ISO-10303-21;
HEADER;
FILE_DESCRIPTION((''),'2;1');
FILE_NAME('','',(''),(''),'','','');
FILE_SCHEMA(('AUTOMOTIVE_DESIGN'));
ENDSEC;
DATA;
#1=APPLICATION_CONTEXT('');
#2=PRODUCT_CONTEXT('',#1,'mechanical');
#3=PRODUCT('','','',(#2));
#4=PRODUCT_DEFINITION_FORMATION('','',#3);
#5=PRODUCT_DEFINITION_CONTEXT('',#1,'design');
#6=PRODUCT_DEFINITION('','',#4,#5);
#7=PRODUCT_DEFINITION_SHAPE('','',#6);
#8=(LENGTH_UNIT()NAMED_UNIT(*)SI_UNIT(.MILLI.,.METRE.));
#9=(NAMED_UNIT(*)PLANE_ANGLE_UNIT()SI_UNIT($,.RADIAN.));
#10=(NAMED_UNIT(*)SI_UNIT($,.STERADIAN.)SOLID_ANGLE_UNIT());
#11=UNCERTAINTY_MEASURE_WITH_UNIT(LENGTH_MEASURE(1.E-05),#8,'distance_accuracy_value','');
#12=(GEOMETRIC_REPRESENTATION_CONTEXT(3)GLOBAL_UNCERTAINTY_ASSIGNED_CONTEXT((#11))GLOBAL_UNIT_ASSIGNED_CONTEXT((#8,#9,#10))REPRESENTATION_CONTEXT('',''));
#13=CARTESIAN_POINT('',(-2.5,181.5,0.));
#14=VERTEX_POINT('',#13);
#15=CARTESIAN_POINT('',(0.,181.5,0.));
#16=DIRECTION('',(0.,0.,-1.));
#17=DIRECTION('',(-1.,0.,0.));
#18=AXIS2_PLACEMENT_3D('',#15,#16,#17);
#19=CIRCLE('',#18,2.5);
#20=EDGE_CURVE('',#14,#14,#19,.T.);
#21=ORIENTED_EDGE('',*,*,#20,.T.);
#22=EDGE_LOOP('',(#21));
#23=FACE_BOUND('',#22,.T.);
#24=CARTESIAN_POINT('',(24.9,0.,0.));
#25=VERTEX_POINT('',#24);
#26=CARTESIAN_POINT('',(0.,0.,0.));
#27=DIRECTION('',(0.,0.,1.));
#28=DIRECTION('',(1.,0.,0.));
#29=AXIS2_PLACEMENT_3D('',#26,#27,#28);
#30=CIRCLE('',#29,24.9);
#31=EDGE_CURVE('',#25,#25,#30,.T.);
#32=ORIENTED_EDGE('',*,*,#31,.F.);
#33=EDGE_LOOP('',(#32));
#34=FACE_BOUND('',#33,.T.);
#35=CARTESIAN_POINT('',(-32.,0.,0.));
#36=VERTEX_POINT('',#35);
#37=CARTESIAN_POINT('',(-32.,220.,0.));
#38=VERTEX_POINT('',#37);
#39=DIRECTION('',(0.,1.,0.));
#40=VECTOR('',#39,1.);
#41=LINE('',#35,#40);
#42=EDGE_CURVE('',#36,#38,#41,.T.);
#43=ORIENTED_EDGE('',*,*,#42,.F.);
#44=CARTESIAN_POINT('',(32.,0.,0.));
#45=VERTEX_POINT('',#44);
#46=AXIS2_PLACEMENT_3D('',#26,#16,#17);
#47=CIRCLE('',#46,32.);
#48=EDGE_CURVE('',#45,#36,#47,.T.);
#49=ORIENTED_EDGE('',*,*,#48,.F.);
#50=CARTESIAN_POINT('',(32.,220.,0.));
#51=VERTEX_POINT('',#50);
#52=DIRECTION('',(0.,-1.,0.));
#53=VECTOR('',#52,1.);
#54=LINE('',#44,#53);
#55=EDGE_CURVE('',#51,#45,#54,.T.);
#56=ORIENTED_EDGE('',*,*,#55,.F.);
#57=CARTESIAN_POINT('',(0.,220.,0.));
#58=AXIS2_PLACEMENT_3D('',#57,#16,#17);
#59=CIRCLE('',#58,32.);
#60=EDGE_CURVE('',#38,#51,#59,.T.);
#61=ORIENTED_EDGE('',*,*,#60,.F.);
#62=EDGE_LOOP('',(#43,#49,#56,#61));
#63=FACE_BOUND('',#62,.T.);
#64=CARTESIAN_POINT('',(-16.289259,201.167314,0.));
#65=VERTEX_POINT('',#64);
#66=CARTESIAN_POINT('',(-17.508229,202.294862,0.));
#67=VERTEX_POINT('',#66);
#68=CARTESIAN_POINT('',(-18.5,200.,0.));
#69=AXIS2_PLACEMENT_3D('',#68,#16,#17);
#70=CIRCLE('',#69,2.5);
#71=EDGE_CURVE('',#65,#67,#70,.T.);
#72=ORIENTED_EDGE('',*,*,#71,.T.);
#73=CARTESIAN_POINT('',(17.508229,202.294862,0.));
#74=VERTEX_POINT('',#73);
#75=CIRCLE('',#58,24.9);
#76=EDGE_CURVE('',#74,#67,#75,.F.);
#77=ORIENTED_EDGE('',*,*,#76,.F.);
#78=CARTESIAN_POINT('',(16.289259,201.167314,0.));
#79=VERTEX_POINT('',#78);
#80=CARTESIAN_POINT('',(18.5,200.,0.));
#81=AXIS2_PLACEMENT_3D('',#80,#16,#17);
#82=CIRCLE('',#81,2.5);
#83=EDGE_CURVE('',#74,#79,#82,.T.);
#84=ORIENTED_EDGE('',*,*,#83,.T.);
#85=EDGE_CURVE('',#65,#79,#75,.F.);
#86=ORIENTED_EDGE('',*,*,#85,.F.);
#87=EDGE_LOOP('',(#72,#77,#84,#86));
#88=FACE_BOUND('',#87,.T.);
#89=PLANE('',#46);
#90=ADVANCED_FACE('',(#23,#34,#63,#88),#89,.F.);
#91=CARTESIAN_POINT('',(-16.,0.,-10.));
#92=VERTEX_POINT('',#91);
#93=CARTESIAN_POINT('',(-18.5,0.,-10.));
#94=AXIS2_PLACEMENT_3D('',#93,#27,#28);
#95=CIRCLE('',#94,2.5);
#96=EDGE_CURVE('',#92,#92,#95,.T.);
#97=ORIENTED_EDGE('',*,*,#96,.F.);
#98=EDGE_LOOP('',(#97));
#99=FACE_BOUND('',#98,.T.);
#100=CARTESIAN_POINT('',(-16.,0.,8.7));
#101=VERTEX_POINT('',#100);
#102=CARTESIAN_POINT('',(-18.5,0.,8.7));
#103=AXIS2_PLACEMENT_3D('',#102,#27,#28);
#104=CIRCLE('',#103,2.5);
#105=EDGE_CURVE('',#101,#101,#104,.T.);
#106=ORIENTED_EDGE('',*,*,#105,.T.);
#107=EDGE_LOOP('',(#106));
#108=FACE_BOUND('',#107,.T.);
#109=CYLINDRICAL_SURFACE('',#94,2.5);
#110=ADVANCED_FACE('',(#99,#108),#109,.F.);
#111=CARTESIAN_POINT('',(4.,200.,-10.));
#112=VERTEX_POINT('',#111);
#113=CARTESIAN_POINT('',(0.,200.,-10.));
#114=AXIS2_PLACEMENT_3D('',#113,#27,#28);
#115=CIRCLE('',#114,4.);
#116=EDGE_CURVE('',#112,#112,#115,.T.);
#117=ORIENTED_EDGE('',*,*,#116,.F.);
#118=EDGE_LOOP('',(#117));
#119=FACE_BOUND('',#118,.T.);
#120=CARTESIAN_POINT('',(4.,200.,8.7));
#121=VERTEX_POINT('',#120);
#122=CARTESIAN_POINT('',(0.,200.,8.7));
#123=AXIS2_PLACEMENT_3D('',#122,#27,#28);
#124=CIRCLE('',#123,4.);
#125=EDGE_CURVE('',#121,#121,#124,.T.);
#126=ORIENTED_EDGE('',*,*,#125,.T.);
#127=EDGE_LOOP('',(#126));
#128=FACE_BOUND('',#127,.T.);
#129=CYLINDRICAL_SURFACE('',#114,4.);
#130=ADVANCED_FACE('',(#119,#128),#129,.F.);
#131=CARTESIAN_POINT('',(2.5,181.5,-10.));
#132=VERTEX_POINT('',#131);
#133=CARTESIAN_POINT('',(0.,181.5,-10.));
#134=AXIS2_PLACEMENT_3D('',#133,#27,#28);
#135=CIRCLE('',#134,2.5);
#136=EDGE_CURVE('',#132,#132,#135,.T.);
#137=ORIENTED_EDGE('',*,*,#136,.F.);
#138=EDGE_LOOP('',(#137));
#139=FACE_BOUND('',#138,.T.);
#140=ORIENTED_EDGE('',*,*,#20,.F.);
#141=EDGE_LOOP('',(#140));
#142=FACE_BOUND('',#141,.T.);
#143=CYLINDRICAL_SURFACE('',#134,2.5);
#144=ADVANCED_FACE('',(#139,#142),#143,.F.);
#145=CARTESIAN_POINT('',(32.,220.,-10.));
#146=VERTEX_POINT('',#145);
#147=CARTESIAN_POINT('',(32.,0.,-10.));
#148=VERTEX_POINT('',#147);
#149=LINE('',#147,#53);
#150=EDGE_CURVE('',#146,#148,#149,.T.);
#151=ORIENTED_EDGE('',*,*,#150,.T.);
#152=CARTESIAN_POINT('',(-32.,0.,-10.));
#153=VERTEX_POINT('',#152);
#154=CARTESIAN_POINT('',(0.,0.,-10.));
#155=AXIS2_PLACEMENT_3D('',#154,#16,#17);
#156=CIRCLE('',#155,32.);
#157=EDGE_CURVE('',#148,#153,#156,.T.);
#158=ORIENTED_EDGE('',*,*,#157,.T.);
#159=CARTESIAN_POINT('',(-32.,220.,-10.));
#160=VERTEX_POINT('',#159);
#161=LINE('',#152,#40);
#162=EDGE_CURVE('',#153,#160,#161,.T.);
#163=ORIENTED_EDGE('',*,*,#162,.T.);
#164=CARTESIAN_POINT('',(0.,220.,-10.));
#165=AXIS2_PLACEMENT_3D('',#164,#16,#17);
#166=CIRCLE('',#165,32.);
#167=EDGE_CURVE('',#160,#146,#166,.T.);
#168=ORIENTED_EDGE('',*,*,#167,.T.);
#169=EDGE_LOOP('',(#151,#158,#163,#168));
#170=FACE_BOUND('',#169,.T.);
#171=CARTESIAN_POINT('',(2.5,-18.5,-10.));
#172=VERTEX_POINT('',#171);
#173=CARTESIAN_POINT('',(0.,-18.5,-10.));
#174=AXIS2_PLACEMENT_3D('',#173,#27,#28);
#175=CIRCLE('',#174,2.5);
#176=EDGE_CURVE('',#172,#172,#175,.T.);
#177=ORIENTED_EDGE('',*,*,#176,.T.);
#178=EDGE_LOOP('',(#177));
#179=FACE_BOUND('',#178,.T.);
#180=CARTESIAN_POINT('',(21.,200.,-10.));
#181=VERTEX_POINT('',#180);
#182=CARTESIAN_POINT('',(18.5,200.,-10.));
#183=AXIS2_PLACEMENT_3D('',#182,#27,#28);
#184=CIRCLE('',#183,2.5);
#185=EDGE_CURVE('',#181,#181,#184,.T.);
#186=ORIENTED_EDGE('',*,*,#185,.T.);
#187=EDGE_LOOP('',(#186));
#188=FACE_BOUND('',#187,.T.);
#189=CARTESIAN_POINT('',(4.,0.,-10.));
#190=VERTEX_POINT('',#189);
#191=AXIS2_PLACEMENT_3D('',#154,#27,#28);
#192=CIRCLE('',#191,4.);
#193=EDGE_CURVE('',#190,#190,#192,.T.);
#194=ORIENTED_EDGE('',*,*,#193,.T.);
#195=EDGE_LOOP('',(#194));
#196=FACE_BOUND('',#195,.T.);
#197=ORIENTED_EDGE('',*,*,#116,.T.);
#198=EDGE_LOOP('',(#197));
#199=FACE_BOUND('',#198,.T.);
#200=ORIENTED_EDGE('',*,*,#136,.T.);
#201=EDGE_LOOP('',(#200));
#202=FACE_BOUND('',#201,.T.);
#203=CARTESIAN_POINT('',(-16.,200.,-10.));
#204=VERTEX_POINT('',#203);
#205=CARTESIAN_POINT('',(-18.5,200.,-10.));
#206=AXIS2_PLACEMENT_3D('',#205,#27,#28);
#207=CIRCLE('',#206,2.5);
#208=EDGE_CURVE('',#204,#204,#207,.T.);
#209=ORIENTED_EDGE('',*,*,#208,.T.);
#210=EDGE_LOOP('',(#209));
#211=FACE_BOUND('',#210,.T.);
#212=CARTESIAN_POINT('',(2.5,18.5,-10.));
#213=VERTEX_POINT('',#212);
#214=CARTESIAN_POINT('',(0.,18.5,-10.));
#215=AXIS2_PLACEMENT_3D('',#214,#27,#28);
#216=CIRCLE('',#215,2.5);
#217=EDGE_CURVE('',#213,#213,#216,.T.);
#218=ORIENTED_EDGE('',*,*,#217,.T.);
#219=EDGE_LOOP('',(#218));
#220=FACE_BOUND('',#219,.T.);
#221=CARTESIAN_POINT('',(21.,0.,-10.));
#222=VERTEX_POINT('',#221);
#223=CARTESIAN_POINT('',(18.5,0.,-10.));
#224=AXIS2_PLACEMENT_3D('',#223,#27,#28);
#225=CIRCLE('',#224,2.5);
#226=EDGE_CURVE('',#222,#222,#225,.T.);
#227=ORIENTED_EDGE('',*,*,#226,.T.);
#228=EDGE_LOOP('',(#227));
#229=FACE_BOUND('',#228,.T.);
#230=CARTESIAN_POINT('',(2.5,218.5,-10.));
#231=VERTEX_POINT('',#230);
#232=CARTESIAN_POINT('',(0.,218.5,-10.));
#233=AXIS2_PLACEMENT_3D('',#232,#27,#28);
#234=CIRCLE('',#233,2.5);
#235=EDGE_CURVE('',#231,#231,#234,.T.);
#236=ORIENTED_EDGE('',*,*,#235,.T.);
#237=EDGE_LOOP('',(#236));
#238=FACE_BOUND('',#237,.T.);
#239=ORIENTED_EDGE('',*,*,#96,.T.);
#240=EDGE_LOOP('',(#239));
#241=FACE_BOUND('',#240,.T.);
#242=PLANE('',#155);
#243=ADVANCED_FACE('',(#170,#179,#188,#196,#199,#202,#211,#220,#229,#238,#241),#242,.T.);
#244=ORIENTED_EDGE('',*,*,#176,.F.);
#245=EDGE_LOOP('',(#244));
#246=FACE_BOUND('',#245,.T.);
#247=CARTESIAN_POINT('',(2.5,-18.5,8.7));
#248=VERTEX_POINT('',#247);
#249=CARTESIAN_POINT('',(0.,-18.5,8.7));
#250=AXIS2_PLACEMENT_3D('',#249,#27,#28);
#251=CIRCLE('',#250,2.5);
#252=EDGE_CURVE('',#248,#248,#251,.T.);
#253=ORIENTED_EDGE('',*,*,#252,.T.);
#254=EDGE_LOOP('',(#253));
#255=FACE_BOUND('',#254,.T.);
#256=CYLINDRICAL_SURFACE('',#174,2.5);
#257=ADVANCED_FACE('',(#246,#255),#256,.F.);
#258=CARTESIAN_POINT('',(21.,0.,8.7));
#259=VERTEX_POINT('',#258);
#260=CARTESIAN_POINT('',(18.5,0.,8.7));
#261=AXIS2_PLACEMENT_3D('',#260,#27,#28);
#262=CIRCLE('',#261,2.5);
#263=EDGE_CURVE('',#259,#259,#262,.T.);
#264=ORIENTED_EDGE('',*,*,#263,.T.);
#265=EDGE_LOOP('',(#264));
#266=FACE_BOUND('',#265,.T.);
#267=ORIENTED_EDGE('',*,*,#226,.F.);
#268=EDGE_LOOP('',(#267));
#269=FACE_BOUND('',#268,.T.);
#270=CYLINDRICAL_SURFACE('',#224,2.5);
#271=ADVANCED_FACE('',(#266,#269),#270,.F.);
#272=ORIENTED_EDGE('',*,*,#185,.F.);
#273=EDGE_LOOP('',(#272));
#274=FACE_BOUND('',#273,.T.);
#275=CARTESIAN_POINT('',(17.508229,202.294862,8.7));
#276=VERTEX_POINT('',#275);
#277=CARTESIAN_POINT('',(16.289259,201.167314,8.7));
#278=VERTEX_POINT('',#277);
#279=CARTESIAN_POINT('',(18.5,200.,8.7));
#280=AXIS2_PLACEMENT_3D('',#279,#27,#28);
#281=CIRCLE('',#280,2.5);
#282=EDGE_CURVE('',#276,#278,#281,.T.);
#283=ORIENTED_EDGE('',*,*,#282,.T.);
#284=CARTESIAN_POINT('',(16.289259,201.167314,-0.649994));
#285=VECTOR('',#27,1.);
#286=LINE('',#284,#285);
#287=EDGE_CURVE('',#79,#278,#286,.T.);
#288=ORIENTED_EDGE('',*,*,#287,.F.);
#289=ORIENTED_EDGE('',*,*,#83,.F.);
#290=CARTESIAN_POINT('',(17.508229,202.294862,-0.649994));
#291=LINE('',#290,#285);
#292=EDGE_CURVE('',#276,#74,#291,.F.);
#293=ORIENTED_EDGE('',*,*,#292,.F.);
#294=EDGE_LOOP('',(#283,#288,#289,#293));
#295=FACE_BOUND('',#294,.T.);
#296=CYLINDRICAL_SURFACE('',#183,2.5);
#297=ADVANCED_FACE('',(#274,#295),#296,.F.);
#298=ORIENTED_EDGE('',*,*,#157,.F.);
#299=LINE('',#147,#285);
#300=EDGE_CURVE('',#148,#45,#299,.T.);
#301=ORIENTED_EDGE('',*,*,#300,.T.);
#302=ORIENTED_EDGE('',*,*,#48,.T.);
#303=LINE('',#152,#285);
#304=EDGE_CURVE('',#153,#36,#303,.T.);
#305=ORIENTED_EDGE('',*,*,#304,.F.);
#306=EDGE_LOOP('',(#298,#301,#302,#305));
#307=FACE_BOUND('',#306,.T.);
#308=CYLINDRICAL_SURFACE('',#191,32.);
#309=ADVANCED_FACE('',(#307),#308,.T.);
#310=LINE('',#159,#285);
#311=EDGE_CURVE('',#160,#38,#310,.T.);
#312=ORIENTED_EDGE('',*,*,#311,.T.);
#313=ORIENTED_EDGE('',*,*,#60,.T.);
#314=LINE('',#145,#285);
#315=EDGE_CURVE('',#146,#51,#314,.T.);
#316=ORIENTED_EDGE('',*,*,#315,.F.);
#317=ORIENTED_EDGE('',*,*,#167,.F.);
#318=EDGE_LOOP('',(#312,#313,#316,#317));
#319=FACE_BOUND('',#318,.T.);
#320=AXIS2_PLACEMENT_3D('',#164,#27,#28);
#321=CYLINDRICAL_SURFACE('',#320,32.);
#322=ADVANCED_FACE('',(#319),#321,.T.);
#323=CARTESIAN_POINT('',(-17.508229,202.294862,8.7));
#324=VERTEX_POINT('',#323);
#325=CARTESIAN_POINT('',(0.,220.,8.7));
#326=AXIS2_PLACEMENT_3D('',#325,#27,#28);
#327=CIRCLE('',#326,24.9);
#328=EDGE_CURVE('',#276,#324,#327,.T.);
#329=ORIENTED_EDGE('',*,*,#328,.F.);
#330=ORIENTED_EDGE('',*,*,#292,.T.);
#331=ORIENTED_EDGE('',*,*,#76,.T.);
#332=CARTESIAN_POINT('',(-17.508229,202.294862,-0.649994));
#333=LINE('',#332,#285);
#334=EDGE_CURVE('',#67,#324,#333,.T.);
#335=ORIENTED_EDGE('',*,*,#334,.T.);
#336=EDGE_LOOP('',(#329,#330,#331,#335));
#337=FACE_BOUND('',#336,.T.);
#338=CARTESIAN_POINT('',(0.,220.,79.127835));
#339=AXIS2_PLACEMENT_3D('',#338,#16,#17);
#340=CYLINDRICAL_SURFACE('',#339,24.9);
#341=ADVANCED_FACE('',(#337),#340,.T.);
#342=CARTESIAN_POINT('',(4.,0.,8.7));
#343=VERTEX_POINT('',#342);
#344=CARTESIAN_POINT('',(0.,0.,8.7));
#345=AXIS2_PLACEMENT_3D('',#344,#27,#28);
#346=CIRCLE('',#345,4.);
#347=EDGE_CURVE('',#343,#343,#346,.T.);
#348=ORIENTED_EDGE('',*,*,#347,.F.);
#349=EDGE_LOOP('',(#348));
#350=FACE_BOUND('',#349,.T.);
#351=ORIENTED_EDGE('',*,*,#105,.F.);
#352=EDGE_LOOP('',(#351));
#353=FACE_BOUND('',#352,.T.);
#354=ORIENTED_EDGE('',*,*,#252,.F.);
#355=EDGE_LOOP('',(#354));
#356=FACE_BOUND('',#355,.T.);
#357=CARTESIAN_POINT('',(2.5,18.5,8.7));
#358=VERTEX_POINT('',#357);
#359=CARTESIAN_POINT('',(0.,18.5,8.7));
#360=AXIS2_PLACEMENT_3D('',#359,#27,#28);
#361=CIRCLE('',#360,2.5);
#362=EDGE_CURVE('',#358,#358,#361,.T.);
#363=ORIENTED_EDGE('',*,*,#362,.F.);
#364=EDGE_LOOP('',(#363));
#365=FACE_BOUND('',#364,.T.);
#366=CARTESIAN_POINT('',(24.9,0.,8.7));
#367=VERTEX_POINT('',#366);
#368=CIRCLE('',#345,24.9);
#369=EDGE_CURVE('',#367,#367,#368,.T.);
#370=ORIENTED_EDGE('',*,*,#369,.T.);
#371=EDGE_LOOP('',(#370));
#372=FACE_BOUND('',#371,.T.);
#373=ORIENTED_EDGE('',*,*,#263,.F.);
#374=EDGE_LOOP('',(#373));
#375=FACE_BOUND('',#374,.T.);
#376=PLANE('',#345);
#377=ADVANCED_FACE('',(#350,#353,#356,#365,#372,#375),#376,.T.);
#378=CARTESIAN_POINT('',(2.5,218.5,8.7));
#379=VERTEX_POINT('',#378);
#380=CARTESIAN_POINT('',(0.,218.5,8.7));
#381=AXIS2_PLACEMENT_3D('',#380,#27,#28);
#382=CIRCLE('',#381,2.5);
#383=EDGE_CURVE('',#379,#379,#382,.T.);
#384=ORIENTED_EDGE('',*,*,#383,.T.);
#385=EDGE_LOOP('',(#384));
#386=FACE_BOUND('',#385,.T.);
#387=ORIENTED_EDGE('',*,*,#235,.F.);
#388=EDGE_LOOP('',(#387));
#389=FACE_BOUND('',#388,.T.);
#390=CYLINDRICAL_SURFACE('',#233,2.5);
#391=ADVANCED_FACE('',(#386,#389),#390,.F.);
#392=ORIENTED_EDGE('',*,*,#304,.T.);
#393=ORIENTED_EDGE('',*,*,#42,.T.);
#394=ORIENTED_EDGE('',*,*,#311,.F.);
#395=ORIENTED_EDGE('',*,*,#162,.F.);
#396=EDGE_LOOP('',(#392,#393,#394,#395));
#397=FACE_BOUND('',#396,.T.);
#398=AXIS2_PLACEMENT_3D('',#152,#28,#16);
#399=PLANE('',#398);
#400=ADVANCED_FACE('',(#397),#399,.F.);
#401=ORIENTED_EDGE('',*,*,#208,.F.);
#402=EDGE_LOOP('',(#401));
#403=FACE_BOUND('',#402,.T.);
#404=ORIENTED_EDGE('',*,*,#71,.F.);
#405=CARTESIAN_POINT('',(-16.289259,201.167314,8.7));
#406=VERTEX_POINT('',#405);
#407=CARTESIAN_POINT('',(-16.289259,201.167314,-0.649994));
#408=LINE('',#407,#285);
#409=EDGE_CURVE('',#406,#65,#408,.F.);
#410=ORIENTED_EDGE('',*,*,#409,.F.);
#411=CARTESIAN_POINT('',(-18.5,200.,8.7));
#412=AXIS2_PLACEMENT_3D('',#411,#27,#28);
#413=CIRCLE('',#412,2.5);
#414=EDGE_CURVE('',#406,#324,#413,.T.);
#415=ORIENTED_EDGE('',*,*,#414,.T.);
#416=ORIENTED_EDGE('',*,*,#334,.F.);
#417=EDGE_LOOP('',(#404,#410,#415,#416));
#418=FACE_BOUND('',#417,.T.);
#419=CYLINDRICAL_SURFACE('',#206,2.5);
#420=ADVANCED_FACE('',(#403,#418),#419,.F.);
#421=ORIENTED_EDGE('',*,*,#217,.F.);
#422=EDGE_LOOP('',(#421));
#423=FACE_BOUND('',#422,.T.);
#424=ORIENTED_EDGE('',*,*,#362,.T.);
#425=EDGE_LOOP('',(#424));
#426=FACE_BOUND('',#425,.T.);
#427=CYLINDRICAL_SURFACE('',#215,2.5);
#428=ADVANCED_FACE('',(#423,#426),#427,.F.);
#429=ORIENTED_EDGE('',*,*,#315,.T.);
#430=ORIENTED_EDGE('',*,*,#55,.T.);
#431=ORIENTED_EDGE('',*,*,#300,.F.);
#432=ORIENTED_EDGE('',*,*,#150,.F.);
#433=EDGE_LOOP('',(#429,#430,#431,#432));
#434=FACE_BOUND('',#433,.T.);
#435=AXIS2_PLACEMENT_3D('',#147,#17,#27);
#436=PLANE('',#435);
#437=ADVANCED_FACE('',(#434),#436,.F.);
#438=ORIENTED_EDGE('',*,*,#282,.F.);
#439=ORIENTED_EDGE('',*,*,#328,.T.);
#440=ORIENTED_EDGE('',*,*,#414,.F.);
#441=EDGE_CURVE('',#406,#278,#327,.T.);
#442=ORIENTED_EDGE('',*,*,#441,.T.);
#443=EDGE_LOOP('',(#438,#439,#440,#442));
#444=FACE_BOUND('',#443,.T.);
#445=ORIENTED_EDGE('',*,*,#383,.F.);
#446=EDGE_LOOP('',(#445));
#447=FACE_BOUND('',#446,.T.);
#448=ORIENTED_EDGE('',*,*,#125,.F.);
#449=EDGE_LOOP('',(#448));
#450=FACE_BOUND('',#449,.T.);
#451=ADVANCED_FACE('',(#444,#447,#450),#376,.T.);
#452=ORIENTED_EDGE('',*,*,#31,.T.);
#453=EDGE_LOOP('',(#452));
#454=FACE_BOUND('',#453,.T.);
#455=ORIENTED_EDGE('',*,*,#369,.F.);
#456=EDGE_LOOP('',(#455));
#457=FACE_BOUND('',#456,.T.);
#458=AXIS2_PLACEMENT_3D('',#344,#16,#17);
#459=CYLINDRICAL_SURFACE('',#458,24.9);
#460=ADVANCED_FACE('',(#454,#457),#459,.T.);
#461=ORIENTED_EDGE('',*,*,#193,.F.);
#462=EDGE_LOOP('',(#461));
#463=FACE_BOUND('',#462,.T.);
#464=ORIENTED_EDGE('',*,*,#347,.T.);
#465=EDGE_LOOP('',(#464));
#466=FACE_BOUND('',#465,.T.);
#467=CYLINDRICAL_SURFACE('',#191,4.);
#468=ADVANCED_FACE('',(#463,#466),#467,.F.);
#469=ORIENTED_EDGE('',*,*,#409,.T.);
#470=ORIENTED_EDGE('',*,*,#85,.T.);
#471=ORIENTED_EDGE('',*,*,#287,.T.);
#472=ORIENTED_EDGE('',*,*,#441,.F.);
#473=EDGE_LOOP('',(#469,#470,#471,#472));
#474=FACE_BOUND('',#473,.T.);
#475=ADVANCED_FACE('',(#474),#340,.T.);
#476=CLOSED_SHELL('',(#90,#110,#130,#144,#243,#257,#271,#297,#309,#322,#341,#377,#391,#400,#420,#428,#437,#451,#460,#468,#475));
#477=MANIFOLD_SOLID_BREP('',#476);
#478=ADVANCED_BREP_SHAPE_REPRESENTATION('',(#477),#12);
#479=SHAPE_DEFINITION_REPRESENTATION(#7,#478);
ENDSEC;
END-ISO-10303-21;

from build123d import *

# Parameters (mm, degrees)
SKETCH_1_R               = 24.9
EXTRUDE_1_DEPTH          = 8.7
EXTRUDE_2_DEPTH          = 10
SKETCH_5_R               = 24.9
EXTRUDE_4_DEPTH          = 8.7
CUT_EXTRUDE_1_DEPTH      = 255.710993088
CUT_EXTRUDE_1_DEPTH_BACK = 255.710993088
SKETCH_2_R               = 4
SKETCH_2_R_2             = 2.5


with BuildPart() as part:
    # 草图1 → 凸台-拉伸1 (new body)
    with BuildSketch(Plane.XY):
        Circle(SKETCH_1_R)
    extrude(amount=EXTRUDE_1_DEPTH)

    # 草图3 → 凸台-拉伸2 (add)
    with BuildSketch(Plane(origin=(0, 0, 0), x_dir=(-1, 0, 0), z_dir=(0, 0, -1))):
        with BuildLine():
            Line((-32, 0), (-32, 220))
            ThreePointArc((-32, 220), (0, 252), (32, 220))
            Line((32, 220), (32, 0))
            ThreePointArc((32, 0), (0, -32), (-32, 0))
        make_face()
    extrude(amount=EXTRUDE_2_DEPTH)

    # 草图5 → 凸台-拉伸4 (add)
    with BuildSketch(Plane.XY):
        with Locations(Location((0, 220, 0), (0, 0, 180))):
            Circle(SKETCH_5_R)
    extrude(amount=EXTRUDE_4_DEPTH)

    # 草图2 → 切除-拉伸1 (cut, two sides: drawn at the far end of the back side and taken through both)
    with BuildSketch(Plane.XY.offset(8.7).offset(-CUT_EXTRUDE_1_DEPTH_BACK)):
        Circle(SKETCH_2_R)
        with Locations((0, 18.5)):
            Circle(SKETCH_2_R_2)
        with Locations((-18.5, 0)):
            Circle(SKETCH_2_R_2)
        with Locations((18.5, 0)):
            Circle(SKETCH_2_R_2)
        with Locations((0, -18.5)):
            Circle(SKETCH_2_R_2)
        with Locations((0, 218.5)):
            Circle(SKETCH_2_R_2)
        with Locations((0, 200)):
            Circle(SKETCH_2_R)
        with Locations((0, 181.5)):
            Circle(SKETCH_2_R_2)
        with Locations((-18.5, 200)):
            Circle(SKETCH_2_R_2)
        with Locations((18.5, 200)):
            Circle(SKETCH_2_R_2)
    extrude(amount=CUT_EXTRUDE_1_DEPTH + CUT_EXTRUDE_1_DEPTH_BACK, mode=Mode.SUBTRACT)


solid = part.part
